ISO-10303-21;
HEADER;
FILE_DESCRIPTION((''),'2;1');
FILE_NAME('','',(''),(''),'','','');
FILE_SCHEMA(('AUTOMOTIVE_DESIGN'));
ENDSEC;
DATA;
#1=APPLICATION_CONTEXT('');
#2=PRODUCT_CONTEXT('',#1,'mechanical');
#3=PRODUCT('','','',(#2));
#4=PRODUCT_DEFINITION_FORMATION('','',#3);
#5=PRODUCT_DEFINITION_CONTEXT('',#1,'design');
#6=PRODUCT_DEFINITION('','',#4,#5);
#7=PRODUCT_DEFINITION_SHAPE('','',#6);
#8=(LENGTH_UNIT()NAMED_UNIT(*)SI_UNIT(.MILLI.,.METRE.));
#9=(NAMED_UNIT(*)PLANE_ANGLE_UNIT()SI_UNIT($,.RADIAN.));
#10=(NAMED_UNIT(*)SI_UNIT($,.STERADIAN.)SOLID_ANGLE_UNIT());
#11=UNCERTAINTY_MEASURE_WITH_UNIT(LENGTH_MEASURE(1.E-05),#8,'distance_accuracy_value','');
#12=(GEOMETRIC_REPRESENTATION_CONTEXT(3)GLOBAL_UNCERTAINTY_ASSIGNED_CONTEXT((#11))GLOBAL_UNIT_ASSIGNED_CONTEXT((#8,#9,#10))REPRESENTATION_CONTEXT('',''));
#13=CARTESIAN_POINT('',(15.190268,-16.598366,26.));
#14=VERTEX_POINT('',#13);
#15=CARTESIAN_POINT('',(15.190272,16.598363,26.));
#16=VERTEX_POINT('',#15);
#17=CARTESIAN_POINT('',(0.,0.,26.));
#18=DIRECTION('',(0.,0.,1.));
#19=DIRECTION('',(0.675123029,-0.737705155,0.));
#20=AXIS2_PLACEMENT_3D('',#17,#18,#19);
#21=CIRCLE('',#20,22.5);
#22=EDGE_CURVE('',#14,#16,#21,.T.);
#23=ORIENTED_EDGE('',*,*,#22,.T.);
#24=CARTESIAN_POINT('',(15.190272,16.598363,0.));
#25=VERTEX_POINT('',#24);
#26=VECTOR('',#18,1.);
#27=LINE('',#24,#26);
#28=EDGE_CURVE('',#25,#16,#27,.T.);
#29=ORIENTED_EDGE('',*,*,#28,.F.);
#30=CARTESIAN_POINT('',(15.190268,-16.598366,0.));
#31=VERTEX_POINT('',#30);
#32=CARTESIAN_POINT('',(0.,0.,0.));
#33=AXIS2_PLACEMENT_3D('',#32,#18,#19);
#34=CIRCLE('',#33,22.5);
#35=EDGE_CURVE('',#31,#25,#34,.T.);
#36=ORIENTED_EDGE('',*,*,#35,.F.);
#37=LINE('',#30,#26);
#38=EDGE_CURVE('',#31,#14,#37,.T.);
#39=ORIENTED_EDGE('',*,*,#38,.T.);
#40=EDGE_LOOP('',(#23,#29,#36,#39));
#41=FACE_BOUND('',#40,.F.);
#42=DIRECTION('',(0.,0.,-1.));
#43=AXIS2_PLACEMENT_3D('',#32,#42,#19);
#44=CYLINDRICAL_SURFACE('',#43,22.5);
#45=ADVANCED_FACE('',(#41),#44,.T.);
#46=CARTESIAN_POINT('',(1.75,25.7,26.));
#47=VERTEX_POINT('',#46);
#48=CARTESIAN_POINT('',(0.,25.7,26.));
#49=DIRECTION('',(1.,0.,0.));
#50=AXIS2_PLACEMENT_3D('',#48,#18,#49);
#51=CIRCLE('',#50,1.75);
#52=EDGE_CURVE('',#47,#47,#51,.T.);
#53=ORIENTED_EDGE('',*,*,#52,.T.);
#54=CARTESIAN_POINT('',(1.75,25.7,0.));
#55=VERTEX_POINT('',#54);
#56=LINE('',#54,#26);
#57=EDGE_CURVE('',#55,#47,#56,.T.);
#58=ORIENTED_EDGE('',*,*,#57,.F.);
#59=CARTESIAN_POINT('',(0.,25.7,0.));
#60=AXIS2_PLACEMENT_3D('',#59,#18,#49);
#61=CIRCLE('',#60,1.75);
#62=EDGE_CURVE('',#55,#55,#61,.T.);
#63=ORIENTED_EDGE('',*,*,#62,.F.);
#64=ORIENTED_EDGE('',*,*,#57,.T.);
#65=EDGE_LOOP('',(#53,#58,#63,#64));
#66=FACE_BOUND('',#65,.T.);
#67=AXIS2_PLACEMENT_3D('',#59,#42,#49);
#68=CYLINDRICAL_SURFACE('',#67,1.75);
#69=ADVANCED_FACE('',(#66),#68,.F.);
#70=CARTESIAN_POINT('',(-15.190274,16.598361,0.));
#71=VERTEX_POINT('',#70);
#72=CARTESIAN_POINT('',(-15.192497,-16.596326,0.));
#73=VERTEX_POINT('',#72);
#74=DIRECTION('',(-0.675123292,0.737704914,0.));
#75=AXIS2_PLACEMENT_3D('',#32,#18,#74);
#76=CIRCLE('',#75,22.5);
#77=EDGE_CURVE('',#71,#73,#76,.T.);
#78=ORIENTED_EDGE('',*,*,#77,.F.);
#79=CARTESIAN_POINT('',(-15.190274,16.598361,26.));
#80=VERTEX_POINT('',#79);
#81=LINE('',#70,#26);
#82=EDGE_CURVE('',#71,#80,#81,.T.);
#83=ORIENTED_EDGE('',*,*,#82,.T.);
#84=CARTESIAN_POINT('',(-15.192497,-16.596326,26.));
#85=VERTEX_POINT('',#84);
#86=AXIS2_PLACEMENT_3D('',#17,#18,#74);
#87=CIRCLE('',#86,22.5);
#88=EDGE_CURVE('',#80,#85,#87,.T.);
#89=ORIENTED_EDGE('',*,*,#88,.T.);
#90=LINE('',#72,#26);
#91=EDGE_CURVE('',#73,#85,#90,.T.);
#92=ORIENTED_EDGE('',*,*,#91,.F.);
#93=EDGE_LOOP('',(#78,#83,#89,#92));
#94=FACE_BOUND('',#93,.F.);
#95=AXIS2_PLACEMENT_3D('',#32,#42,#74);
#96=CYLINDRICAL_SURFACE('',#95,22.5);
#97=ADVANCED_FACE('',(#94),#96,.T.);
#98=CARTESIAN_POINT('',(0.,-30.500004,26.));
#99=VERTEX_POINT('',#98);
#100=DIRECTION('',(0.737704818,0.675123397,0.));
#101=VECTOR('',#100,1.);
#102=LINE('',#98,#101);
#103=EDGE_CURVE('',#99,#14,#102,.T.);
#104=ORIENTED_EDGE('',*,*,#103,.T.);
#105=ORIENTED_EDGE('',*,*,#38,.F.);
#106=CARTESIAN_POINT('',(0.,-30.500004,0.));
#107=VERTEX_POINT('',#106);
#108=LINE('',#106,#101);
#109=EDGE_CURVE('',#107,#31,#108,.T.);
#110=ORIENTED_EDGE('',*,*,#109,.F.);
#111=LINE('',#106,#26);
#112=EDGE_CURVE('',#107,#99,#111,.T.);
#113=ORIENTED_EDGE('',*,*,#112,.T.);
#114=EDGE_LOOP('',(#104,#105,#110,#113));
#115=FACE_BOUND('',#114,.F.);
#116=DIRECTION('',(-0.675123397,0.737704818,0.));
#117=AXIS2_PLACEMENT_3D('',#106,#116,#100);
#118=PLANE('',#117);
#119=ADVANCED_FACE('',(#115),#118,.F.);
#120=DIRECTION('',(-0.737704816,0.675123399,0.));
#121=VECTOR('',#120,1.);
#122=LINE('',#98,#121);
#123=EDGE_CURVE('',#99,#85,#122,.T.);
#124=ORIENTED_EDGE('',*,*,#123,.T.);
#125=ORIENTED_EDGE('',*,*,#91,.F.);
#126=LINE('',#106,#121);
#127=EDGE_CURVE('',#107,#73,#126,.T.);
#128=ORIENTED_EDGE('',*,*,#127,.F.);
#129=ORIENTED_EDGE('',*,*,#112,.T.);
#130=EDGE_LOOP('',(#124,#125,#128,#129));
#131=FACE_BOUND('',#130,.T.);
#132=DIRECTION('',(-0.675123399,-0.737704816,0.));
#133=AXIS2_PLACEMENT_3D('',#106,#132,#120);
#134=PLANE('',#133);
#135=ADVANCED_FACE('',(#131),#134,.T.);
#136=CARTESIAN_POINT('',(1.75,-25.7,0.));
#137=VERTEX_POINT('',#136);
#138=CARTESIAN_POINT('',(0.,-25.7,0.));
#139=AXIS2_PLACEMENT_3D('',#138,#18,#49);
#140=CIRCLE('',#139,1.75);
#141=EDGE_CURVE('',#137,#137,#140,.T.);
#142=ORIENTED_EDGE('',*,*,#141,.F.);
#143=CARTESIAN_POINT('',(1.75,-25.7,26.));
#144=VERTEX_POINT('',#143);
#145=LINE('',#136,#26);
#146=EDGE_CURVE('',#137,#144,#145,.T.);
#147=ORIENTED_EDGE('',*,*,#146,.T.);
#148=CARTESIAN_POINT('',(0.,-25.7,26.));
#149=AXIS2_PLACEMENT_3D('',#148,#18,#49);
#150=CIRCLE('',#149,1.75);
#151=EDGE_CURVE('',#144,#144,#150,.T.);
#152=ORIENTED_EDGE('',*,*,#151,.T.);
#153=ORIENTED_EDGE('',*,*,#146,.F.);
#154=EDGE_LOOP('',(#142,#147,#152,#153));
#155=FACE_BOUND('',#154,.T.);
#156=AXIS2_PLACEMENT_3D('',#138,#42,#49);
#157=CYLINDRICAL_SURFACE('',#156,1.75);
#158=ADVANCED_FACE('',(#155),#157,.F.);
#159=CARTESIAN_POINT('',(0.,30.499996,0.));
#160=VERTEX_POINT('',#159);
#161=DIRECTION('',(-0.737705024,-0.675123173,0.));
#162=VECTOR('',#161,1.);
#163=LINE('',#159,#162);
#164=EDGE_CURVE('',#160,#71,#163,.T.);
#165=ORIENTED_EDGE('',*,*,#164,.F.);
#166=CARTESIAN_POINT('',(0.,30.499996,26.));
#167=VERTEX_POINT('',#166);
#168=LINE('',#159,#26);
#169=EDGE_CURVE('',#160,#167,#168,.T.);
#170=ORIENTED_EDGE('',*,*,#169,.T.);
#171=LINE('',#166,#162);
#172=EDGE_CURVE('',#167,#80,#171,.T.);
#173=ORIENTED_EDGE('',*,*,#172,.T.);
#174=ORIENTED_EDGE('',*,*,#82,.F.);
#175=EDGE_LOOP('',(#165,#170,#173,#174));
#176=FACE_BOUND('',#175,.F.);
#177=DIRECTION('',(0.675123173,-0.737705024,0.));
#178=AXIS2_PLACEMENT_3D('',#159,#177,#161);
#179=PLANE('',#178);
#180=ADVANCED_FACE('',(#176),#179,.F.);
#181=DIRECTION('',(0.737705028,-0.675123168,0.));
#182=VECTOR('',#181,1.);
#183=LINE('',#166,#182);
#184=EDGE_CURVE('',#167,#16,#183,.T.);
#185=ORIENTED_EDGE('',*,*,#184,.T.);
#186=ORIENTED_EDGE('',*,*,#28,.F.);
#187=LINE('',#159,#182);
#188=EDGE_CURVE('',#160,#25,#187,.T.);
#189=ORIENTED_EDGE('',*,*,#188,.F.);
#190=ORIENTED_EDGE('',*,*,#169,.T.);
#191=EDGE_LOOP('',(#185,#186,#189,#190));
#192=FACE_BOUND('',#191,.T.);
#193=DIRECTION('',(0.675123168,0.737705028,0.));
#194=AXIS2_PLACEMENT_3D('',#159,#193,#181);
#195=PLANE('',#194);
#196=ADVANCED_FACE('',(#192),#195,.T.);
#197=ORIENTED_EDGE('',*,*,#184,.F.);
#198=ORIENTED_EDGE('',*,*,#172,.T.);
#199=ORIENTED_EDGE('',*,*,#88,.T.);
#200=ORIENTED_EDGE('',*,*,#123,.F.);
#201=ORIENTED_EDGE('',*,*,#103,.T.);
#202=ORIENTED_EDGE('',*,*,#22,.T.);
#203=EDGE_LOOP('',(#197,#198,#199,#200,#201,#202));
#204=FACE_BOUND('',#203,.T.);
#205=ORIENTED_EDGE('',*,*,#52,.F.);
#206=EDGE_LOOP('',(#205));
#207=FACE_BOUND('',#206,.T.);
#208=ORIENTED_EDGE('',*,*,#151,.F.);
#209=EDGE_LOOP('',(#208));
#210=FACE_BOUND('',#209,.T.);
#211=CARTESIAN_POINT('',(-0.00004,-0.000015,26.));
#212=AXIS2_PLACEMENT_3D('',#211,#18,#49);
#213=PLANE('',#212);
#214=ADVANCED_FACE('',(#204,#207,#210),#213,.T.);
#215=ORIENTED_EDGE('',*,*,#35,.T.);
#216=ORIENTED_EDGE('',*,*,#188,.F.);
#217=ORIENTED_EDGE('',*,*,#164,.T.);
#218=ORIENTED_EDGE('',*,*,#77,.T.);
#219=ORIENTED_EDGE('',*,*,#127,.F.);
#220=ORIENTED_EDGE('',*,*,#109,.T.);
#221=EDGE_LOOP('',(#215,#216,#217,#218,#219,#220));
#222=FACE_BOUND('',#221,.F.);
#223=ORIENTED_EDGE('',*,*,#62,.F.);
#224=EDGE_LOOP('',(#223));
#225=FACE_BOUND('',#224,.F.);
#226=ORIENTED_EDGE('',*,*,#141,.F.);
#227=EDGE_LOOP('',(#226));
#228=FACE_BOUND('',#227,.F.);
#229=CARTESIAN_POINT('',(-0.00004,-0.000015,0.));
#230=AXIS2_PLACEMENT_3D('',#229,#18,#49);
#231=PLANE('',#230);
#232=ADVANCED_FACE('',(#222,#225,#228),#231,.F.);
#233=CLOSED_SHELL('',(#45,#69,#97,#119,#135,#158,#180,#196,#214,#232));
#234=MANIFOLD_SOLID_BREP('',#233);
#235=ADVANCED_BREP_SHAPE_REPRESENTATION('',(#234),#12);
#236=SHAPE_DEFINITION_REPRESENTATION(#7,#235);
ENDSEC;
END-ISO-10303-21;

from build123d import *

# Parameters (mm, degrees)
SKETCH_R  = 1.75
PAD_DEPTH = 26


with BuildPart() as part:
    # Sketch → Pad (new body)
    with BuildSketch(Plane.XY):
        with BuildLine():
            Line((0, 30.499996), (-15.190274, 16.598361))
            ThreePointArc((-15.190274, 16.598361), (-22.5, 0.001507), (-15.192497, -16.596326))
            Line((0, -30.500004), (-15.192497, -16.596326))
            Line((0, -30.500004), (15.190268, -16.598366))
            ThreePointArc((15.190268, -16.598366), (22.5, -3e-06), (15.190272, 16.598363))
            Line((0, 30.499996), (15.190272, 16.598363))
        make_face()
        with Locations((0, 25.7)):
            Circle(SKETCH_R, mode=Mode.SUBTRACT)
        with Locations((0, -25.7)):
            Circle(SKETCH_R, mode=Mode.SUBTRACT)
    extrude(amount=PAD_DEPTH)


solid = part.part
